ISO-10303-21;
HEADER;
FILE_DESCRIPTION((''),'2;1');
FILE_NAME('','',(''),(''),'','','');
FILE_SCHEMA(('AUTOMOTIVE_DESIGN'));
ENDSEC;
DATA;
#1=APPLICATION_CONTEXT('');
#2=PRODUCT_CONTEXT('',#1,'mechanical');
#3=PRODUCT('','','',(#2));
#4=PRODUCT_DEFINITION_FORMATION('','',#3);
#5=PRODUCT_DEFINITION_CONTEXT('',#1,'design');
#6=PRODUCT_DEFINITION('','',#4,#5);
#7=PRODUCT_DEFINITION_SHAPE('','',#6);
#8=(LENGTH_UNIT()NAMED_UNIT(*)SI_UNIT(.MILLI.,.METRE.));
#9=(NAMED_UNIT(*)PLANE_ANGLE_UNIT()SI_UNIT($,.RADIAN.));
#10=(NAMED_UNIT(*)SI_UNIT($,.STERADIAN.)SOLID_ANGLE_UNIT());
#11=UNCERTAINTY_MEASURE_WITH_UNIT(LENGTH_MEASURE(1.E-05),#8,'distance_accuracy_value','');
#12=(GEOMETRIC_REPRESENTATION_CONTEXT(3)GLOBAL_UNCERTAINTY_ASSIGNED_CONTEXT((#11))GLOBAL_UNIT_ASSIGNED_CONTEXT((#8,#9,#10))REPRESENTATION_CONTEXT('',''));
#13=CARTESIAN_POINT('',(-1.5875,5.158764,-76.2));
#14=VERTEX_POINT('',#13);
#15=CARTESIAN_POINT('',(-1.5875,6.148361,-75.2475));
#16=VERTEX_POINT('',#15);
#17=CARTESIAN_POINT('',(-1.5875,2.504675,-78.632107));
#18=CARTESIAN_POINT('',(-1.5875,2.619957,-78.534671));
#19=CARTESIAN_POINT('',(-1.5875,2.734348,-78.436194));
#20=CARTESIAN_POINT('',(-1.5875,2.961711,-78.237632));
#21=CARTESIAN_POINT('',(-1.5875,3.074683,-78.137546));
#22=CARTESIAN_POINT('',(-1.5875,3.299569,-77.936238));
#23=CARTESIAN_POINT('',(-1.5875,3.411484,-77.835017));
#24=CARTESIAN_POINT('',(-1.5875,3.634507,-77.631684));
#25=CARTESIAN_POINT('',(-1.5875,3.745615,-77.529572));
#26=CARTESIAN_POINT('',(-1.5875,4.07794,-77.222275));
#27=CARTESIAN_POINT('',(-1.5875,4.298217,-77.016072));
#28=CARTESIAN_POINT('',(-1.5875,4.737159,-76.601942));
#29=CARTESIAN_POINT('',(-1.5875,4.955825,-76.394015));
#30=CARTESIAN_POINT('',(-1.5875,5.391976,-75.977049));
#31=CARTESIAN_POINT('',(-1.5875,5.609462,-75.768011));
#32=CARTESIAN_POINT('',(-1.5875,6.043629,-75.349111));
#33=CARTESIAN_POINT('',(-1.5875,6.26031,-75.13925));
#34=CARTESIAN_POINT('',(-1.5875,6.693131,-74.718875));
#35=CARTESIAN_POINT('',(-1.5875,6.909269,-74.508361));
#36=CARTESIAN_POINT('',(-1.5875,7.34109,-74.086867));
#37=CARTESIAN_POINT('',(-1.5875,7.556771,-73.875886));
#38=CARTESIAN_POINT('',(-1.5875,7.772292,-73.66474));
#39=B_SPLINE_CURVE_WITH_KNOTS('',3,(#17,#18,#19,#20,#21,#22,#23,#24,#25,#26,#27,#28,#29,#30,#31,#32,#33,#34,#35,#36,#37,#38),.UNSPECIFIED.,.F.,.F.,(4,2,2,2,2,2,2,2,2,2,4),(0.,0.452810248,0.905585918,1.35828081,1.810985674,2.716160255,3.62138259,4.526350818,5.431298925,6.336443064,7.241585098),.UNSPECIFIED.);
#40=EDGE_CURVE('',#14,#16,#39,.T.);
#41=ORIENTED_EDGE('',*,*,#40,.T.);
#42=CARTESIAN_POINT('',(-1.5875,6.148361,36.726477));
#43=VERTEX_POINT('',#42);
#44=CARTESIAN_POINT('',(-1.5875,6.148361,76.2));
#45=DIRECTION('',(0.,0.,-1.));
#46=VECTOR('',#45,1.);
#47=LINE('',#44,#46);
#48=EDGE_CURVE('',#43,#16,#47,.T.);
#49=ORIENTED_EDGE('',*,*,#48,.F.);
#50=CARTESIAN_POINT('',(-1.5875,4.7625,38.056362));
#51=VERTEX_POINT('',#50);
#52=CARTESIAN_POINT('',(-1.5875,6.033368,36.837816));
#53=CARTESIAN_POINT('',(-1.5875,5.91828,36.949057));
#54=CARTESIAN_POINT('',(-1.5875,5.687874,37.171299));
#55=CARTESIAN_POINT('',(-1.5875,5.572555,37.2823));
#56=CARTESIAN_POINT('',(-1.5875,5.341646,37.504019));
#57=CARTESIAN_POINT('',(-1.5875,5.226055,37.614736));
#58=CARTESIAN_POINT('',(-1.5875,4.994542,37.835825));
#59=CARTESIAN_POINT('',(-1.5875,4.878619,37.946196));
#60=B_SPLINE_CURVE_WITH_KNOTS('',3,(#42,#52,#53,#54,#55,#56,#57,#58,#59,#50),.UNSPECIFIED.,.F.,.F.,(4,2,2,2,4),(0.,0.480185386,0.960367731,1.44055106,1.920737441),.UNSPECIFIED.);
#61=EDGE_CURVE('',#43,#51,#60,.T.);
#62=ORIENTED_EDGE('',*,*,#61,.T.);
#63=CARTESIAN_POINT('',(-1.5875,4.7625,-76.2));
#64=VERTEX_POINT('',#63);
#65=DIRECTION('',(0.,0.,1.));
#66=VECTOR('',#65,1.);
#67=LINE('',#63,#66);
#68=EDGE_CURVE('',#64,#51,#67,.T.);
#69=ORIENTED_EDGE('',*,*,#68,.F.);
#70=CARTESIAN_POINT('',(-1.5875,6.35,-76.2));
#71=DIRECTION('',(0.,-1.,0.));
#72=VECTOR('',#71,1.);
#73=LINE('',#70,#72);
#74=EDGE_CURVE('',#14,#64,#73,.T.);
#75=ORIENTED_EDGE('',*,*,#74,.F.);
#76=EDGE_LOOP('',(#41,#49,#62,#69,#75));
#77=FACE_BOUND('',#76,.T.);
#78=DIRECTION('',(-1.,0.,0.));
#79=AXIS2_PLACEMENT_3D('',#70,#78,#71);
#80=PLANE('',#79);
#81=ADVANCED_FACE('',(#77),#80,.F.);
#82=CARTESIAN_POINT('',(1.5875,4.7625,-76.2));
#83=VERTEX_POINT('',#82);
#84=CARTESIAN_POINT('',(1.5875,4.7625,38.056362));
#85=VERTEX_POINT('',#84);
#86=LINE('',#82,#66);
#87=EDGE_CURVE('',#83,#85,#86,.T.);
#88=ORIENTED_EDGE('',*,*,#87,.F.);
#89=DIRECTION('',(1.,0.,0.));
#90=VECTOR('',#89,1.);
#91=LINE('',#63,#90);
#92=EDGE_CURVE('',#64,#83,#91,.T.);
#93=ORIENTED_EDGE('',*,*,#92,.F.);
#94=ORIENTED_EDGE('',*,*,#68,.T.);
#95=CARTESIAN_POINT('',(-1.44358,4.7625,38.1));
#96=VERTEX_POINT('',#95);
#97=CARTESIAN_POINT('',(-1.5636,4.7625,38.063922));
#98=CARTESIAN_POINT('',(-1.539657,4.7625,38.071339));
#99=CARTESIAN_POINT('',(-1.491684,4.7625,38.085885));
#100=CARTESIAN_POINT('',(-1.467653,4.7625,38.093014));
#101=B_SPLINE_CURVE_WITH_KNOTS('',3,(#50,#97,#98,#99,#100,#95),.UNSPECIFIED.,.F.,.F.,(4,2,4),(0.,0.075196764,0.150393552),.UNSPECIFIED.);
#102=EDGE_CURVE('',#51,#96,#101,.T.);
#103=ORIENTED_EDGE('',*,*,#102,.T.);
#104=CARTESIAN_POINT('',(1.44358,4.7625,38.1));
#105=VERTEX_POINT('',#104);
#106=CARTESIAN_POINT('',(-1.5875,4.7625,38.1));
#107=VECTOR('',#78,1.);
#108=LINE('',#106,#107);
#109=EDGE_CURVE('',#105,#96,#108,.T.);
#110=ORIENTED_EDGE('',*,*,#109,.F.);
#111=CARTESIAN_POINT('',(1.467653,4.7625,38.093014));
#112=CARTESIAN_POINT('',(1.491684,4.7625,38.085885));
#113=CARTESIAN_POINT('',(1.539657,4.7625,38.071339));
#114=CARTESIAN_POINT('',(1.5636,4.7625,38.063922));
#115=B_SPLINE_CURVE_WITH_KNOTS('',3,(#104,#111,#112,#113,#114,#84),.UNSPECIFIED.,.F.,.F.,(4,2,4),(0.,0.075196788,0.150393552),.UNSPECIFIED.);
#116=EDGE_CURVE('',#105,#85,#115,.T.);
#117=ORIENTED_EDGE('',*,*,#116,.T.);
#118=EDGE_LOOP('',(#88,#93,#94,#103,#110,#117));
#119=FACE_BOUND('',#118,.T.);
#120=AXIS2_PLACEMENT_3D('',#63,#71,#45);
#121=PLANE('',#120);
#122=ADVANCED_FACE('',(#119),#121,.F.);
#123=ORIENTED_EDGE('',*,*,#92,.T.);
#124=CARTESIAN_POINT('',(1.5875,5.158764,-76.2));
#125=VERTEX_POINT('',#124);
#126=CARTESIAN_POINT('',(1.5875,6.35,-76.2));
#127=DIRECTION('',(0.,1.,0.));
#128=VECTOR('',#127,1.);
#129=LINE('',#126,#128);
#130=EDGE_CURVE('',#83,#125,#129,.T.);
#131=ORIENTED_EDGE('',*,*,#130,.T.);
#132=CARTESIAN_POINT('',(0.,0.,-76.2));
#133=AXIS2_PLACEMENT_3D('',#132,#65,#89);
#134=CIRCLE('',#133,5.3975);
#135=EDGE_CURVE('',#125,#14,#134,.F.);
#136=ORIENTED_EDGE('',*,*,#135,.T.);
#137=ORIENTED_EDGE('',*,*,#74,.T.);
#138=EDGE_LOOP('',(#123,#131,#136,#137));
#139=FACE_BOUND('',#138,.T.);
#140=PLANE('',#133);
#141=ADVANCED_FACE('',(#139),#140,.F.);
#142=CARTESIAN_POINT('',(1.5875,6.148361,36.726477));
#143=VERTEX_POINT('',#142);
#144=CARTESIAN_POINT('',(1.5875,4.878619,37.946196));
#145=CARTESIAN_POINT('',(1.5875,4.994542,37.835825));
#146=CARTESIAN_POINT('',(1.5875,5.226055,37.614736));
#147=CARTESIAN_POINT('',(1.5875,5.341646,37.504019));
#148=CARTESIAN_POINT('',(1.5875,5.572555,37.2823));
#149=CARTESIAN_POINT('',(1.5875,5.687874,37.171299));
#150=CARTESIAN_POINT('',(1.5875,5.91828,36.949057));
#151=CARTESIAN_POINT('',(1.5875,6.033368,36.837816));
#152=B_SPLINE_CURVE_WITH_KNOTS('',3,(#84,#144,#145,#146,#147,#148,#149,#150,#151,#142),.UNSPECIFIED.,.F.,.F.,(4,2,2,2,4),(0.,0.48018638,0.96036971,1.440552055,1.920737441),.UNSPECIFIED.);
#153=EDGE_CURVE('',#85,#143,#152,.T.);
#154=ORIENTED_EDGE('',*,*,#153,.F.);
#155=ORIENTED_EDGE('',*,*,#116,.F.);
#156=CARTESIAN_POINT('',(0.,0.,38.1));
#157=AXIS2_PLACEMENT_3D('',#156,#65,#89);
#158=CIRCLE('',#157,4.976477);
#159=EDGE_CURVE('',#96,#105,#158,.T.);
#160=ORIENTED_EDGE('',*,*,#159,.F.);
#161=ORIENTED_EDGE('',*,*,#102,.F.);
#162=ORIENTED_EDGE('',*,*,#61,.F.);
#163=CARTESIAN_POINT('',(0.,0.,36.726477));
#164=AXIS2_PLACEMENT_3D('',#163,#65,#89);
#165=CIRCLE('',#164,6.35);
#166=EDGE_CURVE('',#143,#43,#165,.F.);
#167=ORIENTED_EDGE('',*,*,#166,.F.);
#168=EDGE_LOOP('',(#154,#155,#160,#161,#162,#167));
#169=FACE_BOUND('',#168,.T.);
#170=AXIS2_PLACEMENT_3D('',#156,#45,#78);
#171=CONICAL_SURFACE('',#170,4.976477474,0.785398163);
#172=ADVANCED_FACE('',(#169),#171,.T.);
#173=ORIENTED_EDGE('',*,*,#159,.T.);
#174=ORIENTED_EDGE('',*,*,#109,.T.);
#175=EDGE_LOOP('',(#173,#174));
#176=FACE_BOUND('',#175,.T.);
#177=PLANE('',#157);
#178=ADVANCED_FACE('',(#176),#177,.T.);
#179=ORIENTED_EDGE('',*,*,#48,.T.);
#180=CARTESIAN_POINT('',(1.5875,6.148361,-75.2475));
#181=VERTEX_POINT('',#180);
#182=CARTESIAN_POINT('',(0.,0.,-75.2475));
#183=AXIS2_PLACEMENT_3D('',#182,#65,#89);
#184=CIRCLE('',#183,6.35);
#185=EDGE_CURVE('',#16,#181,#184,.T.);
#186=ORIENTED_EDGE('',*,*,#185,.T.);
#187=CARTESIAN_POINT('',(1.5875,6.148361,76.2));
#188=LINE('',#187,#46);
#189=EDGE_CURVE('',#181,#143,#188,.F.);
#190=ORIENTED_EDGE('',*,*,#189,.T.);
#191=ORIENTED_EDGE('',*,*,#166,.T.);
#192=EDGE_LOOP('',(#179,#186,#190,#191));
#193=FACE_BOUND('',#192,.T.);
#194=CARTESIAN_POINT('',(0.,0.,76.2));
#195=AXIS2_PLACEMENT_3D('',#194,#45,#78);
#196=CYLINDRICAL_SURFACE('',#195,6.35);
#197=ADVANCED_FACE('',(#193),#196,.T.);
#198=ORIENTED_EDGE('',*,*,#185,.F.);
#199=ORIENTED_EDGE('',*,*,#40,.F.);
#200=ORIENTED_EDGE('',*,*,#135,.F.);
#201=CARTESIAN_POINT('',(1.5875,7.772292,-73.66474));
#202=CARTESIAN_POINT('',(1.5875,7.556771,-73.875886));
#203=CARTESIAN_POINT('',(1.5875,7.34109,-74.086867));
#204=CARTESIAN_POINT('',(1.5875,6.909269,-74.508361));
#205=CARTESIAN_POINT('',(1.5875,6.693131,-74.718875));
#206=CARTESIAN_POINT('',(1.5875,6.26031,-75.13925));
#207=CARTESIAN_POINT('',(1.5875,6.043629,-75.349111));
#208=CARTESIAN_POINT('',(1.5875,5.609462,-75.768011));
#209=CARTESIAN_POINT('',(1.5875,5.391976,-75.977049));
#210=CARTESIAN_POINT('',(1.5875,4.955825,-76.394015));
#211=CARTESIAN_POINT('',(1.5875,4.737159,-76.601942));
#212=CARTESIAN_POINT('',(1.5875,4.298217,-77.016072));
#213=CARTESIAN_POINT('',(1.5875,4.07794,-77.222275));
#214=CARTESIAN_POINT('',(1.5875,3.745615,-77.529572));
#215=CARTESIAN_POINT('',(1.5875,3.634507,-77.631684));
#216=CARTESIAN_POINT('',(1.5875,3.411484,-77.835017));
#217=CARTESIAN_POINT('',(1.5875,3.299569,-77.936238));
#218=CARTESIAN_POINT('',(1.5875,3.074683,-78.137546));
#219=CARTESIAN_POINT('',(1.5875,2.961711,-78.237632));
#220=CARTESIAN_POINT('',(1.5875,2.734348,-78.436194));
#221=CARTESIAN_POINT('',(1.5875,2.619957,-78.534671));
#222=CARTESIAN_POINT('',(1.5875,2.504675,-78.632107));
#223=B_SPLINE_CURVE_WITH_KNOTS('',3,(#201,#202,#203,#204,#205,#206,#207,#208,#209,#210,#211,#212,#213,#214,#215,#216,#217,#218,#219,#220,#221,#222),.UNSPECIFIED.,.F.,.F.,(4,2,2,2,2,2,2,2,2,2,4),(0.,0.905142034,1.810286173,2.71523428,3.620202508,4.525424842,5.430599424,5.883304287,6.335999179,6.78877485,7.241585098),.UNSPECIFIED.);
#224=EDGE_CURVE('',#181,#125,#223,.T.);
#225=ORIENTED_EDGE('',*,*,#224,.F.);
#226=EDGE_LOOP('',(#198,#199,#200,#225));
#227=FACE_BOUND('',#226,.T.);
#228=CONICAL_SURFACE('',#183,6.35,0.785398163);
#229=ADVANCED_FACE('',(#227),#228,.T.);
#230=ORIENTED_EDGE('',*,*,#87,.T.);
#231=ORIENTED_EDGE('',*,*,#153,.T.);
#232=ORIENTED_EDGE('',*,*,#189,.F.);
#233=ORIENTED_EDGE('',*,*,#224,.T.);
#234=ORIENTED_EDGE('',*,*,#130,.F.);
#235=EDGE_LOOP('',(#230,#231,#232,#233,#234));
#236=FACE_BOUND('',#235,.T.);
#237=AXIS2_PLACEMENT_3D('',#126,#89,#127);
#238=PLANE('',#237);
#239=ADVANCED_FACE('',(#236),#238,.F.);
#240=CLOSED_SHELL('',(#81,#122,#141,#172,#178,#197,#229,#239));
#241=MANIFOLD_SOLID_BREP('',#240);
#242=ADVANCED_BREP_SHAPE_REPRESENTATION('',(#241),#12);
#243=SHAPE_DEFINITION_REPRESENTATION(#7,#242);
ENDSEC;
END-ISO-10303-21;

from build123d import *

# Parameters (mm, degrees)
SKETCH1_R           = 6.35
EXTRUDE1_DEPTH      = 76.2
CHAMFER1_SIZE       = 0.9525
SKETCH3_W           = 3.175
SKETCH3_H           = 1.5875
EXTRUDE2_DEPTH      = 77.727341932
EXTRUDE2_DEPTH_BACK = 77.727341932
CHAMFER2_SIZE       = 1.373522526


with BuildPart() as part:
    # Sketch1 → Extrude1 (new, symmetric)
    with BuildSketch(Plane.XY):
        with Locations(Location((0, 0, 0), (0, 0, 180))):
            Circle(SKETCH1_R)
    extrude(amount=EXTRUDE1_DEPTH, both=True)

    # Chamfer1
    chamfer1_edges = [part.edges().sort_by_distance(p)[0] for p in [
        (6.35, 0, -76.2),
        (6.35, 0, 76.2),
    ]]
    chamfer(chamfer1_edges, length=CHAMFER1_SIZE)

    # Sketch3 → Extrude2 (cut, two sides)
    with BuildSketch(Plane.XY) as extrude2_sk:
        with Locations((0, 5.55625)):
            Rectangle(SKETCH3_W, SKETCH3_H)
    extrude(amount=EXTRUDE2_DEPTH, mode=Mode.SUBTRACT)
    extrude(extrude2_sk.sketch, amount=-EXTRUDE2_DEPTH_BACK, mode=Mode.SUBTRACT)

    # SurfaceCut1
    split(bisect_by=Plane.XY.offset(38.1), keep=Keep.BOTTOM)

    # Chamfer2
    chamfer2_edges = [part.edges().sort_by_distance(p)[0] for p in [
        (0, -6.35, 38.1),
    ]]
    chamfer(chamfer2_edges, length=CHAMFER2_SIZE)


solid = part.part
